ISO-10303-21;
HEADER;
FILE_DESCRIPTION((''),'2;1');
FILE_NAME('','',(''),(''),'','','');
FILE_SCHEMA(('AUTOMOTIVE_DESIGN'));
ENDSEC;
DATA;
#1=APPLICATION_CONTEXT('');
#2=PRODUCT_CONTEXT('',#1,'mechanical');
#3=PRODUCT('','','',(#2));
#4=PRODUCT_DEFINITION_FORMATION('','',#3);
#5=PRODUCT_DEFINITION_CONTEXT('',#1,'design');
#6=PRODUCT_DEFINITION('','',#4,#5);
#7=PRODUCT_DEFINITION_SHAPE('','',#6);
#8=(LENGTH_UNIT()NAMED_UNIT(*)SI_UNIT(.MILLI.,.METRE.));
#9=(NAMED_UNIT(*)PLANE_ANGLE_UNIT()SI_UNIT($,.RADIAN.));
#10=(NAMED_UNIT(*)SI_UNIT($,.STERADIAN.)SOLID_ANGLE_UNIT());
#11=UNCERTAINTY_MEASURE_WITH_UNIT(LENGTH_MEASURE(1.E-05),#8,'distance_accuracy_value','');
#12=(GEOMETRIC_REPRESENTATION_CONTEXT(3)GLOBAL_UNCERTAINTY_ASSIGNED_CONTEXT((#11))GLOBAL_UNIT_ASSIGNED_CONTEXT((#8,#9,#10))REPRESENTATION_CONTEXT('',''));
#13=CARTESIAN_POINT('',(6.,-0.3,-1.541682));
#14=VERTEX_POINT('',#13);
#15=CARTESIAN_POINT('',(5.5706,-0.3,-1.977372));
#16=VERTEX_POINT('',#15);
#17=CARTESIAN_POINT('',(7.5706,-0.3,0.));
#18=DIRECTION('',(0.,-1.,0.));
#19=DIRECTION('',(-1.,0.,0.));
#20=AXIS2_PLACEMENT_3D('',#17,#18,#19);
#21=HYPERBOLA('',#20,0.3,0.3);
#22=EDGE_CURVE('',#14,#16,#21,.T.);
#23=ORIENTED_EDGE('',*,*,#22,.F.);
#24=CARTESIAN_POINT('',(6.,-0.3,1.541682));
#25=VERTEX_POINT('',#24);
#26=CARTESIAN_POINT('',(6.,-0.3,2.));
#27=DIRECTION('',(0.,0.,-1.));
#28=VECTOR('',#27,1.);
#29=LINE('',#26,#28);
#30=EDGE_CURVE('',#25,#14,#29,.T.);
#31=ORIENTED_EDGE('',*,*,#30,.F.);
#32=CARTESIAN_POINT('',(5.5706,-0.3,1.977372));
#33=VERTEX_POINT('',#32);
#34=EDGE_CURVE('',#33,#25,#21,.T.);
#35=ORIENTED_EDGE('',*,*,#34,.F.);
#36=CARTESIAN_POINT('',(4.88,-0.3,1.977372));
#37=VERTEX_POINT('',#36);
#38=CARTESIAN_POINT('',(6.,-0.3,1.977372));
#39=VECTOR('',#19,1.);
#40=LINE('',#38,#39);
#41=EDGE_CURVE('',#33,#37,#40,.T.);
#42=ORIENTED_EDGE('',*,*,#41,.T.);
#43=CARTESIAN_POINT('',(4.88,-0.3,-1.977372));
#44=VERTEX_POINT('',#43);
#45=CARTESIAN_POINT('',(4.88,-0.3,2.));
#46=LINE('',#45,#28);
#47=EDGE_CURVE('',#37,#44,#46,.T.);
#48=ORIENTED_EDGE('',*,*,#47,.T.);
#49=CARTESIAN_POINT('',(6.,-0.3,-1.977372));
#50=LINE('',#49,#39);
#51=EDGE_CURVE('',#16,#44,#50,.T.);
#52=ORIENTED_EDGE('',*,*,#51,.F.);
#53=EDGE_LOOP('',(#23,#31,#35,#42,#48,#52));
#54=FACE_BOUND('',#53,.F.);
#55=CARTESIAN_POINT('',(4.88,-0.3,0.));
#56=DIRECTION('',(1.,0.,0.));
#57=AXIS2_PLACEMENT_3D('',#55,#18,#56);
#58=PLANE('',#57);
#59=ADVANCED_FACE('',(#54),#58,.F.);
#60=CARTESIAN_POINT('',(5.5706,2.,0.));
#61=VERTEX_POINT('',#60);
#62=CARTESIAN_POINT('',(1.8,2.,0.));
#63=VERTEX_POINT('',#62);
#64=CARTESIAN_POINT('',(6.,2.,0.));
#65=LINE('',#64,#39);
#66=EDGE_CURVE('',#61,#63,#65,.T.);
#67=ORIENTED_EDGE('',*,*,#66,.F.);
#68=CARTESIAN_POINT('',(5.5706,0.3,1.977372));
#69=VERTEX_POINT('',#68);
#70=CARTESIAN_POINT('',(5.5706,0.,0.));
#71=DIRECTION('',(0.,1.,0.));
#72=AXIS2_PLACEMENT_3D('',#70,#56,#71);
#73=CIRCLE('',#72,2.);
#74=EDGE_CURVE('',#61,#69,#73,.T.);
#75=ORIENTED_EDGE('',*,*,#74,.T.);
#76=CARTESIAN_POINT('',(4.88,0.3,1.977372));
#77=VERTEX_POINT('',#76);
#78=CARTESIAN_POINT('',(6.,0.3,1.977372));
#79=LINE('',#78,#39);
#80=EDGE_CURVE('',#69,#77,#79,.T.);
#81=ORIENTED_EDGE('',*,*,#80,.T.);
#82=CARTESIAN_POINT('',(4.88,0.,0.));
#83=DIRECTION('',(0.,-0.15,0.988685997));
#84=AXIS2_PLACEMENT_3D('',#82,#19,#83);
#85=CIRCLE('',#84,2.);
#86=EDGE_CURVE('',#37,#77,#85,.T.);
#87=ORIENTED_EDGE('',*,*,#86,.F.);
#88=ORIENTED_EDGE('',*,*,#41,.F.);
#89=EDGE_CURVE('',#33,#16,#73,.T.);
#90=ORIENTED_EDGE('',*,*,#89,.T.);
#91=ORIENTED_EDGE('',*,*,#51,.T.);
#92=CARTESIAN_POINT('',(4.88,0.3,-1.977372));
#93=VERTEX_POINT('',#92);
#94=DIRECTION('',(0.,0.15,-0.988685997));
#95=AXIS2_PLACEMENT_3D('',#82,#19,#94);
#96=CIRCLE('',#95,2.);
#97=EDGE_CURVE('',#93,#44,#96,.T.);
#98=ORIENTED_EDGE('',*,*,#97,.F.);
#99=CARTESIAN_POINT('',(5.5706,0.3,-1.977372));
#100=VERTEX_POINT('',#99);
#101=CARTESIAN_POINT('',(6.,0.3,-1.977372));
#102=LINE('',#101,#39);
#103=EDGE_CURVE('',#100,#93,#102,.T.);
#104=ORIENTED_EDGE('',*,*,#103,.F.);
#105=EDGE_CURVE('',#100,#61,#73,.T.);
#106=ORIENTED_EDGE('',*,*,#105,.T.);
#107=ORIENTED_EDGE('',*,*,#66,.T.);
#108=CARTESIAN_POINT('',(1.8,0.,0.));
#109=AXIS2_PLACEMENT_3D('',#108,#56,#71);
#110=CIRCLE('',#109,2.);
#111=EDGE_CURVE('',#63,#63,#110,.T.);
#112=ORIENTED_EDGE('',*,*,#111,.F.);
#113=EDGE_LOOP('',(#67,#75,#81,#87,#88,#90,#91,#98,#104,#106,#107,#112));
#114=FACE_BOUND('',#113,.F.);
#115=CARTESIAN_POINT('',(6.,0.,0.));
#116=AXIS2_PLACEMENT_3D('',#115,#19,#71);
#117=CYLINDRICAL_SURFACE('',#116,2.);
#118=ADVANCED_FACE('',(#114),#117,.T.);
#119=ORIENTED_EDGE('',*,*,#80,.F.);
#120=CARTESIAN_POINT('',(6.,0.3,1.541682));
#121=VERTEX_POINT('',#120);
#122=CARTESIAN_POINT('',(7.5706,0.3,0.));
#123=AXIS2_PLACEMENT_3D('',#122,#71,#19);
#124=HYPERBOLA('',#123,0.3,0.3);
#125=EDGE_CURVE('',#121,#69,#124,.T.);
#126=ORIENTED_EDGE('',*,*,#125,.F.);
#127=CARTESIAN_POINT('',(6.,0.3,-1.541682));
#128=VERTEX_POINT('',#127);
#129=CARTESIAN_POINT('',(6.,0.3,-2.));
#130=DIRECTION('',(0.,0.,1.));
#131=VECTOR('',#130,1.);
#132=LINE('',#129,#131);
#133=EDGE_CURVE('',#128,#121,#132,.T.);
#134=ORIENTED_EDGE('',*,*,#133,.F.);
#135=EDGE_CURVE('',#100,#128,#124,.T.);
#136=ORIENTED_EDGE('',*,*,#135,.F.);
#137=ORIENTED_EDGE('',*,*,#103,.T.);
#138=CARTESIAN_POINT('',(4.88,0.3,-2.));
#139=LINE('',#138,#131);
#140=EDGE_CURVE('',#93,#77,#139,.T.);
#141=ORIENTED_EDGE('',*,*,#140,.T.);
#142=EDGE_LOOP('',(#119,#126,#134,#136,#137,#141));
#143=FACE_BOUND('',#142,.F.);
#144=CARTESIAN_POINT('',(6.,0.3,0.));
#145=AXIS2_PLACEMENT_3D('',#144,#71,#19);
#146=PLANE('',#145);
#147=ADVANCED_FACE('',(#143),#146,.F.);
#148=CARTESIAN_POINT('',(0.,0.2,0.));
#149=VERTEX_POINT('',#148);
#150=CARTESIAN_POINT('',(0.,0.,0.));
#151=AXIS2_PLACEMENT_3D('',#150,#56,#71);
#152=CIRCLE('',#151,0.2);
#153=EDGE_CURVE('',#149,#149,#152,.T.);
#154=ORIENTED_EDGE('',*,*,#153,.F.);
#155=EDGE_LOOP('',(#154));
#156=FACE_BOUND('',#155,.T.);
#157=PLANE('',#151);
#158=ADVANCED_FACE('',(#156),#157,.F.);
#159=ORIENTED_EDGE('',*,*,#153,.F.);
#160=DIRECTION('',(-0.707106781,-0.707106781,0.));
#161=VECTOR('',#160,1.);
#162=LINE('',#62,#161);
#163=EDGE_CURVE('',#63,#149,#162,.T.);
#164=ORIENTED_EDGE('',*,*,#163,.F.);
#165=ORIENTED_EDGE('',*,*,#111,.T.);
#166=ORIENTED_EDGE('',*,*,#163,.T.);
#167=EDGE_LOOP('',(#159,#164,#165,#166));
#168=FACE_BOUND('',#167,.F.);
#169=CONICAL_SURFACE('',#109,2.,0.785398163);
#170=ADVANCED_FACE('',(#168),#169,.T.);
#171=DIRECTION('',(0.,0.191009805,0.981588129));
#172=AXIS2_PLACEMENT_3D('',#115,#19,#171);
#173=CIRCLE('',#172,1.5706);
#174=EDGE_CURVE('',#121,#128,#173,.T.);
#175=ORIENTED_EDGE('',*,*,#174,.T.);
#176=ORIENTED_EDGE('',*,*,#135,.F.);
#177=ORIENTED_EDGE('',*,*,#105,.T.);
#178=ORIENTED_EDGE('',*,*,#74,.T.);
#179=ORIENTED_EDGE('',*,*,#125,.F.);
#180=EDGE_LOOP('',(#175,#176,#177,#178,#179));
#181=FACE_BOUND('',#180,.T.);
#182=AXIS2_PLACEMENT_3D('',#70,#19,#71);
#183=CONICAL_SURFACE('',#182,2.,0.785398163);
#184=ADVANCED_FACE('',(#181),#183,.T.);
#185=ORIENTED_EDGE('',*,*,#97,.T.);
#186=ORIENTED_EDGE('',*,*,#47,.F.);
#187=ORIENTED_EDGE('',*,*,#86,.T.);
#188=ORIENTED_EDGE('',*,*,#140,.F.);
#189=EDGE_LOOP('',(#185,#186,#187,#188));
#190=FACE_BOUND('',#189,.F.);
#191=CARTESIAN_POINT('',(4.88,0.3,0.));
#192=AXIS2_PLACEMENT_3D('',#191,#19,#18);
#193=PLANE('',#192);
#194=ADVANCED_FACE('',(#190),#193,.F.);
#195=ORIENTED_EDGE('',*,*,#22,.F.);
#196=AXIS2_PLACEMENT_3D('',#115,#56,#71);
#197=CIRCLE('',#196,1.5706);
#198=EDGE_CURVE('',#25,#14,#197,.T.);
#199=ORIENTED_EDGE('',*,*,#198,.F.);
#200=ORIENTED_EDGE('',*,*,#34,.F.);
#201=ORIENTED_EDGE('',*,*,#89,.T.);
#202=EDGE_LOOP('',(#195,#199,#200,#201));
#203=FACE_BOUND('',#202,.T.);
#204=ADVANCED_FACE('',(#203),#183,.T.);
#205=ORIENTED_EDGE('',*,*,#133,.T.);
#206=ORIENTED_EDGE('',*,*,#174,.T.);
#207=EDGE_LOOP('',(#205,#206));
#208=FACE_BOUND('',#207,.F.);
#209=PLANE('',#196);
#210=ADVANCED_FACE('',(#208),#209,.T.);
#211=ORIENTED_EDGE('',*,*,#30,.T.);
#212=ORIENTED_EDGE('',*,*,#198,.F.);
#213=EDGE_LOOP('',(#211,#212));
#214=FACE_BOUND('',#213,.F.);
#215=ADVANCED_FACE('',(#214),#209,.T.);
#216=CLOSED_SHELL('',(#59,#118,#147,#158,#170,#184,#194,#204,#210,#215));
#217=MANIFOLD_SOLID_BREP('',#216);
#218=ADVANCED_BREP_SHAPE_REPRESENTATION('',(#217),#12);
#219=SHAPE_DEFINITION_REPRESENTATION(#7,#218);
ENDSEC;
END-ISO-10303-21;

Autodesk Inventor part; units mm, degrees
ref_plane "YZ Plane" through (0, 0, 0) normal (1, 0, 0) x (0, 1, 0)
ref_plane "XZ Plane" through (0, 0, 0) normal (0, 1, 0) x (-1, 0, 0)
sketch "Sketch1" plane through (0, 0, 0) normal (0, 0, 1) x (1, 0, 0)
  line L0 (0, 0) -> (6, 0)
  line L1 (6, 0) -> (6, 2)
  line L2 (6, 2) -> (0, 2)
  line L3 (0, -0.4) -> (0, 2.4) projected
  line L4 (0, 2) -> (0, 0)
  dimension "d0" = 4
  dimension "d2" = 6
revolve "Body" add sketch "Sketch1" angle 360 about axis through (0, 0, 0) along (1, 0, 0)
chamfer "Chamfer1" distance 0.4294 angle 45 1 edges at (6, -2, 0) measured on face at (6, 0.2007, 0.5552)
sketch "Sketch2" plane through (0, 0, 0) normal (0, 0, 1) x (1, 0, 0)
  line L0 (6, 1.5706) -> (6, -1.5706) projected
  line L1 (4.656, 0) -> (6.224, 0) projected
  line L2 (6, 0.3) -> (4.88, 0.3)
  line L3 (4.88, 0.3) -> (4.88, 0)
  line L4 (4.88, -0.3) -> (4.88, 0)
  line L5 (4.88, -0.3) -> (6, -0.3)
  dimension "d8" = 0.3
  dimension "d9" = 1.12
extrude "Slot1" cut sketch "Sketch2" against normal mid plane 4
thread "Thread" size "M4x0.7" class "6g" standard "ISO Metric profile" length 6
chamfer "Chamfer2" distance 1.8 angle 45 1 edges at (0, -2, 0) measured on face at (1.8569, -0.8723, 1.7998)
ref_plane "Work Plane1" through (3, 0, 0) normal (0, 0, 1) x (1, 0, 0)
equation "\"d0\" = NND"
equation "\"d2\" = NLG"
equation "\"d8\" = 0.5 * SBR"
equation "\"d9\" = STI"
equation "\"d10\" = NND"
equation "\"d3\" = -0.5 * GD1 + 0.5 * NND"
equation "\"d4\" = FAWI"
equation "\"d34\" = -0.5 * GD1 + 0.5 * NND"
equation "\"d5\" = NLG"
equation "\"d14\" = FAWI"
equation "\"NND\" = 4"
equation "\"NLG\" = 6"
equation "\"FAWI\" = 45deg"
equation "\"GD1\" = THREADDIA - 1.2269 * PTC"
equation "\"FAWI1\" = 45deg"
equation "\"SPD\" = 0.4"
equation "\"SBR\" = 0.6"
equation "\"STI\" = 1.12"
equation "\"GUL\" = 0.61345 * PTC"
equation "\"THREADDIA\" = 4"
equation "\"TOA\" = 30deg"
equation "\"PTC\" = 0.7"
equation "\"GAL\" = 0.61345 * PTC"
equation "\"THREADDESC\" = 1.2345"
properties part number "ISO 7434 - M4x6" material "Stainless Steel, 440C"
